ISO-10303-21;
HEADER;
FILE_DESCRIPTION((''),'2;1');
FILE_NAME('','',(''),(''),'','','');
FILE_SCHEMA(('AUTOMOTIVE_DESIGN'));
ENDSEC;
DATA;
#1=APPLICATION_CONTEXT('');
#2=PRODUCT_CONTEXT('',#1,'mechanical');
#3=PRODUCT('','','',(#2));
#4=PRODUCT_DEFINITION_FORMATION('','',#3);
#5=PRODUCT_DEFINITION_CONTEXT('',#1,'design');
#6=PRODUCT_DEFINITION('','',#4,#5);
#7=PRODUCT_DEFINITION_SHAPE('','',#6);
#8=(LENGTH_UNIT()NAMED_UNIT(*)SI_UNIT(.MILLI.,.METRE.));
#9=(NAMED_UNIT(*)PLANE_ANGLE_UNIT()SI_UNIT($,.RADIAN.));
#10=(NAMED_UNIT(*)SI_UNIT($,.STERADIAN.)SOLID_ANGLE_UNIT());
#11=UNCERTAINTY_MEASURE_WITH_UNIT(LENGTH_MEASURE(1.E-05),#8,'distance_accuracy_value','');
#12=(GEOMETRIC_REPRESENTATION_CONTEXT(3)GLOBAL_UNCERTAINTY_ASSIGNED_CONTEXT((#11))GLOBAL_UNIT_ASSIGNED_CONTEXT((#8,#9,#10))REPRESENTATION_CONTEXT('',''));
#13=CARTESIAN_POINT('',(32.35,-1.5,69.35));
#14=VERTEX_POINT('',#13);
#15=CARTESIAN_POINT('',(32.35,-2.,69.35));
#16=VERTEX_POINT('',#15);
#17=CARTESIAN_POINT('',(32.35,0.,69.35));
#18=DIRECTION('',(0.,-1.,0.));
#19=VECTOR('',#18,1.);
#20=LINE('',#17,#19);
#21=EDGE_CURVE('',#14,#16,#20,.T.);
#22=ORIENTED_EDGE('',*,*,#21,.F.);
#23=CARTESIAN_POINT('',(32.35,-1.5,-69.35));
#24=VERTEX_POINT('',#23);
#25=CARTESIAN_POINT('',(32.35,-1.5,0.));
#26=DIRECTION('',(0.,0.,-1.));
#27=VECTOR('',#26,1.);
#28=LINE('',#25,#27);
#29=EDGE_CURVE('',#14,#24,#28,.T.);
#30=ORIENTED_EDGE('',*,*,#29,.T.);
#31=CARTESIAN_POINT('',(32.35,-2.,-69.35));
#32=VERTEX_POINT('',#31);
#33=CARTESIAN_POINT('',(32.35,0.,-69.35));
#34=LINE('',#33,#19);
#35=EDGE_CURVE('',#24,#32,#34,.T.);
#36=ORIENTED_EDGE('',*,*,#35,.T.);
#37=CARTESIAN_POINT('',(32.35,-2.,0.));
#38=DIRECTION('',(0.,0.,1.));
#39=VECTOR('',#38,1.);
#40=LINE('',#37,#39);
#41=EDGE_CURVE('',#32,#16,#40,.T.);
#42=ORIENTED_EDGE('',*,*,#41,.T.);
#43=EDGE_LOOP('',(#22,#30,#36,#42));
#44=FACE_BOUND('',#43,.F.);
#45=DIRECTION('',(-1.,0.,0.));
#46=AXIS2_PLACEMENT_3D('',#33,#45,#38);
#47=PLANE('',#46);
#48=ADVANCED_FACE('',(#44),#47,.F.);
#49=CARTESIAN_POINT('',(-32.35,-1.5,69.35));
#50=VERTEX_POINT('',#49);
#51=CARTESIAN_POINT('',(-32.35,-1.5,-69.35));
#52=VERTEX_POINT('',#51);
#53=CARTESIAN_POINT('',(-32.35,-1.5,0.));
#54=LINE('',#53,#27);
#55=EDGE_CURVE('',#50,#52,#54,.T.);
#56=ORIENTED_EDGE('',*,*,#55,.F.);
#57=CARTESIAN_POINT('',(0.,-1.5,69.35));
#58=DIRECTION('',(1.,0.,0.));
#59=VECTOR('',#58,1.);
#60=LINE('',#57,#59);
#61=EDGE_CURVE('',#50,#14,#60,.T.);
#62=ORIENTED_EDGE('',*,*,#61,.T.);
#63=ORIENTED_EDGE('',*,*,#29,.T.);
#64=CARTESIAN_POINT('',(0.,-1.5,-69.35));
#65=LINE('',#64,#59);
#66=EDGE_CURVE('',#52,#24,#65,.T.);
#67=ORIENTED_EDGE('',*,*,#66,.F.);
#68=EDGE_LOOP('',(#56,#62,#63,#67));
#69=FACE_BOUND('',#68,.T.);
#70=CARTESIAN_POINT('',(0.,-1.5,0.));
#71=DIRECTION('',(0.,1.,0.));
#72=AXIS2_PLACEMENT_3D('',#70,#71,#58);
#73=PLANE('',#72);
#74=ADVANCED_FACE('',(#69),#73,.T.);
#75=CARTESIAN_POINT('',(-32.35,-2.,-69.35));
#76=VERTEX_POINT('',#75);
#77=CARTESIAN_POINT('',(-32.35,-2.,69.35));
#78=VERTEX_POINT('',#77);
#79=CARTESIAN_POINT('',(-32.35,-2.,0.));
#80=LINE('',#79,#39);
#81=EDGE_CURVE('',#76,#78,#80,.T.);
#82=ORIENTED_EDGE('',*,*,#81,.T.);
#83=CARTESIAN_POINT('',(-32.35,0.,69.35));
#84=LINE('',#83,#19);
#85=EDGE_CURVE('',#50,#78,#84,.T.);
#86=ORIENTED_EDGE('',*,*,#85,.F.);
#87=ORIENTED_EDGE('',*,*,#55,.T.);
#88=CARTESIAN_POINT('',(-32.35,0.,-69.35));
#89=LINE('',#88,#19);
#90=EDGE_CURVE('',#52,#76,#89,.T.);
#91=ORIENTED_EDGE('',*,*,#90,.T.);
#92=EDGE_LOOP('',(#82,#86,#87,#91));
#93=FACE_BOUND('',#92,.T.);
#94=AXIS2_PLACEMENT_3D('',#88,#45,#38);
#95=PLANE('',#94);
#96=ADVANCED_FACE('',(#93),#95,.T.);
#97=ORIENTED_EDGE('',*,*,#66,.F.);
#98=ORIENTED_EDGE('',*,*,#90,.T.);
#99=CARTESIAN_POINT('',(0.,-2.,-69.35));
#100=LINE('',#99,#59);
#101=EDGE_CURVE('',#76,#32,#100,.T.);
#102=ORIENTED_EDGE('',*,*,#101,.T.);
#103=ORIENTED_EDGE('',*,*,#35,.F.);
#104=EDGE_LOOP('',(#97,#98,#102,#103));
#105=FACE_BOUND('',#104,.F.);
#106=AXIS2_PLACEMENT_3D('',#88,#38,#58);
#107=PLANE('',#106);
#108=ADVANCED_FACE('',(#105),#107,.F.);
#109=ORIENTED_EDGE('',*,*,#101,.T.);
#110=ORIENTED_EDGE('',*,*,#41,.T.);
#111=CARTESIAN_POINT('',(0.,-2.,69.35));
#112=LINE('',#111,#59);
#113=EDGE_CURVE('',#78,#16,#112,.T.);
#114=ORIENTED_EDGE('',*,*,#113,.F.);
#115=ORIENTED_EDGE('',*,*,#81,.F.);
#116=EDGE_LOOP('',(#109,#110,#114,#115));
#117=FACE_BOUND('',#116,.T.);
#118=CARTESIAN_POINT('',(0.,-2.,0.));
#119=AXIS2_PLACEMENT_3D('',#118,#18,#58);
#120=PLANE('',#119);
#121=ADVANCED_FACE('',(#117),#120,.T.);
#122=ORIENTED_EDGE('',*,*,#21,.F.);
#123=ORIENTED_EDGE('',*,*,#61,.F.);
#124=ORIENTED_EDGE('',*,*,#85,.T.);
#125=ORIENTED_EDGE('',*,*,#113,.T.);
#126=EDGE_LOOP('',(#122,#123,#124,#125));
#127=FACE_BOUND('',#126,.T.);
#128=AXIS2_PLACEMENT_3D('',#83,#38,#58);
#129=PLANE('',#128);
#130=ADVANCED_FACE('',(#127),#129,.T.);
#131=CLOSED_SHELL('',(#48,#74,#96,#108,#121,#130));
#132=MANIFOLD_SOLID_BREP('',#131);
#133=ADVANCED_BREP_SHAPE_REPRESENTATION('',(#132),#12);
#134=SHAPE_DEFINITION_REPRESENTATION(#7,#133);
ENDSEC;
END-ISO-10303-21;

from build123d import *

# Parameters (mm, degrees)
F0_W      = 64.7
F0_H      = 138.7
F1_DEPTH  = 2
F1_FACE_W = 64.7
F1_FACE_H = 138.7
F2_DEPTH  = 1.5


with BuildPart() as f1:
    # F0 (on Front) → F1 (new body)
    with BuildSketch(Plane.XZ):
        Rectangle(F0_W, F0_H)
    extrude(amount=F1_DEPTH)

    # F1_face (on face) → F2 (cut)
    with BuildSketch(Plane(origin=(0, 0, 0), x_dir=(1, 0, 0), z_dir=(0, 1, 0))):
        Rectangle(F1_FACE_W, F1_FACE_H)
    extrude(amount=-F2_DEPTH, mode=Mode.SUBTRACT)


solid = f1.part
